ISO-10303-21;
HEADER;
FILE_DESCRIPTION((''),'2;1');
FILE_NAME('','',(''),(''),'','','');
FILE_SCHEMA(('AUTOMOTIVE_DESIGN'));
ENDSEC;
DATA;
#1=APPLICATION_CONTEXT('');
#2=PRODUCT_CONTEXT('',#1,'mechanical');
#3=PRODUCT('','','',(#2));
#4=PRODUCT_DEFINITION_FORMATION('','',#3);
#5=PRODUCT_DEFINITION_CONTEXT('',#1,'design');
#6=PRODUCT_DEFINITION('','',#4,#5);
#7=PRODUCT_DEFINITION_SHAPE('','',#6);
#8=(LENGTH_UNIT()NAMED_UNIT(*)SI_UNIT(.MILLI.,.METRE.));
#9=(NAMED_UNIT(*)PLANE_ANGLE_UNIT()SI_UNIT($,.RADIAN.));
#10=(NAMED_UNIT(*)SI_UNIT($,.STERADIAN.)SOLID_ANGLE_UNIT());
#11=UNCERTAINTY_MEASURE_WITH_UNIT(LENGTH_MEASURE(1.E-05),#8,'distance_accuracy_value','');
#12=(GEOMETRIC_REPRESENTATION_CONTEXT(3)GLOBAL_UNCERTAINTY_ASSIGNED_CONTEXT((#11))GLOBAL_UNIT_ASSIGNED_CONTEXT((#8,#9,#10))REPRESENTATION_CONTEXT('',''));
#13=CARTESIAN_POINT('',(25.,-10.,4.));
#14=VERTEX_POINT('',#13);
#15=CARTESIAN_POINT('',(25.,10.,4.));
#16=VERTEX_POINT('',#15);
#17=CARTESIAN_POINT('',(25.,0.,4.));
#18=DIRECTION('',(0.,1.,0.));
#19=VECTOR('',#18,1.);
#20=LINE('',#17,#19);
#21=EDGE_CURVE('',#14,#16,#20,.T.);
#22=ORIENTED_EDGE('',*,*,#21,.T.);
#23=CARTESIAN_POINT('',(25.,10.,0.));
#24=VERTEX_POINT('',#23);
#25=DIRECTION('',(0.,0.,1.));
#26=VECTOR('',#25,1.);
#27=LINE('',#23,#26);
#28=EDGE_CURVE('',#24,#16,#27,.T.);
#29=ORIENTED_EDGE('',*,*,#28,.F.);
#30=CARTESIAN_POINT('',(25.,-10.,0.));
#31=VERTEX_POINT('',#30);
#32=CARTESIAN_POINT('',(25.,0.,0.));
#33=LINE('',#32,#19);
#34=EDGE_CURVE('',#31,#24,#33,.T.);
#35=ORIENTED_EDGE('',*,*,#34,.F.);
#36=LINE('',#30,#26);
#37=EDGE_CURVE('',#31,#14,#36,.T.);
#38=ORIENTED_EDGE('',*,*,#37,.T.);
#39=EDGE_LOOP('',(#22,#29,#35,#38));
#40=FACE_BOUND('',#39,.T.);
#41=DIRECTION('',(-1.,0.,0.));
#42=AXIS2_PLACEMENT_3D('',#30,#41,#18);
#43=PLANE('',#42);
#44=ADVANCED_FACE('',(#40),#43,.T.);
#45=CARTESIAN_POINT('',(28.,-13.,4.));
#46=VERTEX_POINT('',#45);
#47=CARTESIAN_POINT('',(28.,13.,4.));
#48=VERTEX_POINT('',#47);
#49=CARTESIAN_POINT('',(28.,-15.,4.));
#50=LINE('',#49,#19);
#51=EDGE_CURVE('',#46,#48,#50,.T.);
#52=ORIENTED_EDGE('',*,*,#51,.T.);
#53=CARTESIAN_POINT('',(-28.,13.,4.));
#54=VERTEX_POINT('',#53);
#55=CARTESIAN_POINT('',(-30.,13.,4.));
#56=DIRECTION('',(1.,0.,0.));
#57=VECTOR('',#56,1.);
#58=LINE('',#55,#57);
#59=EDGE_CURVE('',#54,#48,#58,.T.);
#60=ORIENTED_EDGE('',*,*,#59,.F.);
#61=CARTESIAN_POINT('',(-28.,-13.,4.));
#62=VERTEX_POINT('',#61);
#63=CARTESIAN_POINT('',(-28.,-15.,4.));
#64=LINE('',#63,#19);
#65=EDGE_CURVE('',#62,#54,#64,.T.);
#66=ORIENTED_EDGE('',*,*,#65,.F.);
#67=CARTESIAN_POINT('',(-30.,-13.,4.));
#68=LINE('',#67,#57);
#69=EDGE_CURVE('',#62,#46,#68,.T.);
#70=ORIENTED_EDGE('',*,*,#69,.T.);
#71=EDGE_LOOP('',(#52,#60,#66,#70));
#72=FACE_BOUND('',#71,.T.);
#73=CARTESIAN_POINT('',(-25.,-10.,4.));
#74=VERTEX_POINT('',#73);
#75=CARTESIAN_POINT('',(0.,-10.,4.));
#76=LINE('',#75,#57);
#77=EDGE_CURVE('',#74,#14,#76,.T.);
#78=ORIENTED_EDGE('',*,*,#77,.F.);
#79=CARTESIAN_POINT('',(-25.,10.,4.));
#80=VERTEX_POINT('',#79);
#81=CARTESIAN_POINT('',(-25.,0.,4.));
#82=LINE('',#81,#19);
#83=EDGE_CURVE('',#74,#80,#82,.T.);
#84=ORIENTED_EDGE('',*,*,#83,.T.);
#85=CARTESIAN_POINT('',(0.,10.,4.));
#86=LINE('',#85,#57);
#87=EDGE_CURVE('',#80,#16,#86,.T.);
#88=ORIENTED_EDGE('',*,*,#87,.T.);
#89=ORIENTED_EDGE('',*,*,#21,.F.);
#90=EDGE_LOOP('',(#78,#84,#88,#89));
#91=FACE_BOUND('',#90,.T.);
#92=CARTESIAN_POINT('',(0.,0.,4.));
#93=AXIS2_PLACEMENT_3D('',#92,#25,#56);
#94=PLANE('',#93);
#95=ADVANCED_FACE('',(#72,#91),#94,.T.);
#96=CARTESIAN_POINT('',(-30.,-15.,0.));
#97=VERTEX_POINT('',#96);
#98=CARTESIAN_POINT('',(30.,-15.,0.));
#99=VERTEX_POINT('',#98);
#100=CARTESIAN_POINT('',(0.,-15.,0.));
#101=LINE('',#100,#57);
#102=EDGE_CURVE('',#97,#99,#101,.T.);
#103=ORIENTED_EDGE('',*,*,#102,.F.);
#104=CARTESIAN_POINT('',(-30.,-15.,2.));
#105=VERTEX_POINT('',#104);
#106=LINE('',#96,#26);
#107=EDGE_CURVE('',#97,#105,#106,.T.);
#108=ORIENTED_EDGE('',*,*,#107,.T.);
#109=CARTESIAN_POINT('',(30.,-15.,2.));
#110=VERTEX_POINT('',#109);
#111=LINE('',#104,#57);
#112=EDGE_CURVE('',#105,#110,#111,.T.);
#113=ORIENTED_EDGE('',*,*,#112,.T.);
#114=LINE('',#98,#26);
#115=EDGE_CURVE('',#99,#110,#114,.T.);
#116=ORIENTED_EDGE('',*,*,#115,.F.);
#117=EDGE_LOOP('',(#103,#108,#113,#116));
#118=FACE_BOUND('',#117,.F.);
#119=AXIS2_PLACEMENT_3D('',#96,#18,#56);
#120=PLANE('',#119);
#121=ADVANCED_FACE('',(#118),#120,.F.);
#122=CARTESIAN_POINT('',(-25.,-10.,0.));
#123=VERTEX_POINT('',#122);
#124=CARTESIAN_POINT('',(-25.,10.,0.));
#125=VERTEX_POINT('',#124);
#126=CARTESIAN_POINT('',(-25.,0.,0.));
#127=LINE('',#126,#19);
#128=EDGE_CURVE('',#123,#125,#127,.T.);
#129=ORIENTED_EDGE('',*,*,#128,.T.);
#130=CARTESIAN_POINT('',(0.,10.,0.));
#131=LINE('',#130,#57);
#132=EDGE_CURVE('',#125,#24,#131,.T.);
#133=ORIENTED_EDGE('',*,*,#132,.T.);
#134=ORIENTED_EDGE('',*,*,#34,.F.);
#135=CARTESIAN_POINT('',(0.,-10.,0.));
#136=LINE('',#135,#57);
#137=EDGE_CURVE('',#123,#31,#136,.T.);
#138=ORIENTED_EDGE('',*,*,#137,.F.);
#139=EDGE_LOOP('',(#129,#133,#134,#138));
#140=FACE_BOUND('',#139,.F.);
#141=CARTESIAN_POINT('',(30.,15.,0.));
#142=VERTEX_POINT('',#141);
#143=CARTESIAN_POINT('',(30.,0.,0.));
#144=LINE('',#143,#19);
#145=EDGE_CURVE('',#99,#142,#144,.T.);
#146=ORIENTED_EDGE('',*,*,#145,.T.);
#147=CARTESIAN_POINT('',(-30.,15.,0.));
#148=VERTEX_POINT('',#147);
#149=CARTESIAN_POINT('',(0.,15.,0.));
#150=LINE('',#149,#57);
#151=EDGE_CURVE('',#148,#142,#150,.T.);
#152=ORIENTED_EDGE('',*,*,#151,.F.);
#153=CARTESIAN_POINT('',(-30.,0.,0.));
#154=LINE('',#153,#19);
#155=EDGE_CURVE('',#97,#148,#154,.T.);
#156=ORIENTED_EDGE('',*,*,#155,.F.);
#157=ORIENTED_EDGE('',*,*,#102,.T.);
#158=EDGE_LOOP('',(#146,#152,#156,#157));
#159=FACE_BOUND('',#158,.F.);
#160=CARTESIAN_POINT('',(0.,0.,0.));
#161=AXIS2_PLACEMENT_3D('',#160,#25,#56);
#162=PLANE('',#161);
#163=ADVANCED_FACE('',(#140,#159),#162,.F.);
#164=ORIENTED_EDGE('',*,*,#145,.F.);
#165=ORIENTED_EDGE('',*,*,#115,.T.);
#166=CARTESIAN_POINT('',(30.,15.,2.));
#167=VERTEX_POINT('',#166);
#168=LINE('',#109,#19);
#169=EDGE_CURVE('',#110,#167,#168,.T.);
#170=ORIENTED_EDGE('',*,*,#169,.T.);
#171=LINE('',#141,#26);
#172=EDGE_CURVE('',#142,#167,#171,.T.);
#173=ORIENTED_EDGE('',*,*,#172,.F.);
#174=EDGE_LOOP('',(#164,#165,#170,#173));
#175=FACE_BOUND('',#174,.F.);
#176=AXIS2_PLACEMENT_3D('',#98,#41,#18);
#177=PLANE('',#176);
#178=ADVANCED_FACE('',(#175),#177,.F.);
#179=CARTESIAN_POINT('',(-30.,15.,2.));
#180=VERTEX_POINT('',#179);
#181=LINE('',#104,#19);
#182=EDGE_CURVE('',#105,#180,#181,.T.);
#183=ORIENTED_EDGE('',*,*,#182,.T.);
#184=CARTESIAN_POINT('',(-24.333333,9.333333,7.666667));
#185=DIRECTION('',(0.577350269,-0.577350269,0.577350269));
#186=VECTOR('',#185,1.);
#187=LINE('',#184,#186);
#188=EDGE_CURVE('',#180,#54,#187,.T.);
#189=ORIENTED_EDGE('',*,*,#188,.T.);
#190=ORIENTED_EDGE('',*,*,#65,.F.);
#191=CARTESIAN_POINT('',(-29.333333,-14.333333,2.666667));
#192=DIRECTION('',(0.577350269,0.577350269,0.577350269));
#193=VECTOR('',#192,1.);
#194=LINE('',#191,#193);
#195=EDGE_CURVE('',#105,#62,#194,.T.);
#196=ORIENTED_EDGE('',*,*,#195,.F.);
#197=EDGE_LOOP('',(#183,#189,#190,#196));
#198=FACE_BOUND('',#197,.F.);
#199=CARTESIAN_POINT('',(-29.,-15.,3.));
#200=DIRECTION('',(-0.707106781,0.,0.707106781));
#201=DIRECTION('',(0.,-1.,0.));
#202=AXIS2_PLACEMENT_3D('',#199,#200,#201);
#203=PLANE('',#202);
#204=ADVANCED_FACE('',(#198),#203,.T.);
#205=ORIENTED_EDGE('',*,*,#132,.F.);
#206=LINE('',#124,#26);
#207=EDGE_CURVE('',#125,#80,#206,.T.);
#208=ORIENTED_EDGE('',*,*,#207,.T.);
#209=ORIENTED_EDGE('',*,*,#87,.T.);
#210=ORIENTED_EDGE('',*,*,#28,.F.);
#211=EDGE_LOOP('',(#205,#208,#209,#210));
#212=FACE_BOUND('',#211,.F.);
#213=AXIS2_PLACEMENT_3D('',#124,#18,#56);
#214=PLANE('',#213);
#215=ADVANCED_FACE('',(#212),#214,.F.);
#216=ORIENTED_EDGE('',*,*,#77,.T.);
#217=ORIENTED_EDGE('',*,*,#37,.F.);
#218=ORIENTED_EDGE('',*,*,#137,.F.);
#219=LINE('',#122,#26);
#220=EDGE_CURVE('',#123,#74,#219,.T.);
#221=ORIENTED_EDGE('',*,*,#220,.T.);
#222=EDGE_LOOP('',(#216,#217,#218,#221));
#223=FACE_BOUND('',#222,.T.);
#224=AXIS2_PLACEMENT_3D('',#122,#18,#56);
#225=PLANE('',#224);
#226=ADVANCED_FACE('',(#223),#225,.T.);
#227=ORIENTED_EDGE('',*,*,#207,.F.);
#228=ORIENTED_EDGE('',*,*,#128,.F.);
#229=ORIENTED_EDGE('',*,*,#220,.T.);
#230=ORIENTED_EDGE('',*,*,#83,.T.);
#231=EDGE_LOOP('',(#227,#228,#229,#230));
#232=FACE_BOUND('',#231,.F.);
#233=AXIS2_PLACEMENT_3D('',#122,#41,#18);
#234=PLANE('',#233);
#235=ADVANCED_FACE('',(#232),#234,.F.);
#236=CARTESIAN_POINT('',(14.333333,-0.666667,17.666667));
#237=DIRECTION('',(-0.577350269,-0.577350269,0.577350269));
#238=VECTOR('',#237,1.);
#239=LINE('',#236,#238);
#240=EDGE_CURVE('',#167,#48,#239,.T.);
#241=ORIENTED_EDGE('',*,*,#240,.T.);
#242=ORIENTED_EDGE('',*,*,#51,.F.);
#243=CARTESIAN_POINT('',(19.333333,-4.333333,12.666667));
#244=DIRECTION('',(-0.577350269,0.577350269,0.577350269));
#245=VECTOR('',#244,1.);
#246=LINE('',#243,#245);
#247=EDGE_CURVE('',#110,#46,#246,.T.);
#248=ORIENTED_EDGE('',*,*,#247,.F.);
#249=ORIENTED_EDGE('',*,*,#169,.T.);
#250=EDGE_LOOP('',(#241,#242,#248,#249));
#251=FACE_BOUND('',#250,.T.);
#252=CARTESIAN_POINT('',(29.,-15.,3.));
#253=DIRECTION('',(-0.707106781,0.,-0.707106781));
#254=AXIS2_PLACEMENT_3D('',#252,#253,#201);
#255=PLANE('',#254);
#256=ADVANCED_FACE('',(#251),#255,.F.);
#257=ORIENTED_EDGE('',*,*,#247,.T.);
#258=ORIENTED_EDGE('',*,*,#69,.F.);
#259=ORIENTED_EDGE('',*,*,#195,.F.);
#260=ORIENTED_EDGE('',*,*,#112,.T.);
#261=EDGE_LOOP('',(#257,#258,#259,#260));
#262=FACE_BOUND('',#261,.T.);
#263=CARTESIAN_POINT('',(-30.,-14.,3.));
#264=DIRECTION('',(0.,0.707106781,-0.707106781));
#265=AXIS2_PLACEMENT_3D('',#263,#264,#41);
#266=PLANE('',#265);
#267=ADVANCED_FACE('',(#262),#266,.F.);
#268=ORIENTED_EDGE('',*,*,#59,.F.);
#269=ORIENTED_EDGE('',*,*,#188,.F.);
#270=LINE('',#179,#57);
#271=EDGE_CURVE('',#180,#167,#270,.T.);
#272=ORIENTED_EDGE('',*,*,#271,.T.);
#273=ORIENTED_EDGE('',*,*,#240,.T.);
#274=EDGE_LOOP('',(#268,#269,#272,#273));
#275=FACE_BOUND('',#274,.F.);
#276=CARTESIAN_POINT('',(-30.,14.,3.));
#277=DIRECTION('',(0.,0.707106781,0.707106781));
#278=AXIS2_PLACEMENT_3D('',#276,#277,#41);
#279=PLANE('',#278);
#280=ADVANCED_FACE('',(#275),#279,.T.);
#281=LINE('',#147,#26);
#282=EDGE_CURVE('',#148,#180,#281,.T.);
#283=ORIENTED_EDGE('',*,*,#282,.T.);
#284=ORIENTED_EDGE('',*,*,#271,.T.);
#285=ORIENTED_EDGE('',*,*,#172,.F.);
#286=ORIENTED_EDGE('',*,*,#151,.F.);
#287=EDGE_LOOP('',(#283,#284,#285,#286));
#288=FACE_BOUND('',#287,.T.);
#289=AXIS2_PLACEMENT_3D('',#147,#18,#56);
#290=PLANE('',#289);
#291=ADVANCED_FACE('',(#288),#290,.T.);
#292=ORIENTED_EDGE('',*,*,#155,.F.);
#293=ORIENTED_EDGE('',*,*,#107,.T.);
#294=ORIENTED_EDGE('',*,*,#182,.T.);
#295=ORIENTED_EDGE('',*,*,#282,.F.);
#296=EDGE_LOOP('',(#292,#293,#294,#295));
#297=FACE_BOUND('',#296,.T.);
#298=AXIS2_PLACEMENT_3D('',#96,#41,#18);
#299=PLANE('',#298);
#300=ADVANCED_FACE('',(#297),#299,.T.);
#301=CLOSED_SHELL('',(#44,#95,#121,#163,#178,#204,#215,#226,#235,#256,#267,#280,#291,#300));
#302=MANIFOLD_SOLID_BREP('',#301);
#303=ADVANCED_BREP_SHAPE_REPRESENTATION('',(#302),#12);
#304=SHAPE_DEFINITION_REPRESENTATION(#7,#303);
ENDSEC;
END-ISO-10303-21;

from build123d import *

# Parameters (mm, degrees)
SKETCH_W     = 60
SKETCH_H     = 30
SKETCH_W_2   = 50
SKETCH_H_2   = 20
PAD_DEPTH    = 4
CHAMFER_SIZE = 2


with BuildPart() as part:
    # Sketch → Pad (new body)
    with BuildSketch(Plane.XY):
        Rectangle(SKETCH_W, SKETCH_H)
        Rectangle(SKETCH_W_2, SKETCH_H_2, mode=Mode.SUBTRACT)
    extrude(amount=PAD_DEPTH)

    # Chamfer
    chamfer_edges = [part.edges().sort_by_distance(p)[0] for p in [
        (0, -15, 4),
        (30, 0, 4),
        (0, 15, 4),
        (-30, 0, 4),
    ]]
    chamfer(chamfer_edges, length=CHAMFER_SIZE)


solid = part.part
